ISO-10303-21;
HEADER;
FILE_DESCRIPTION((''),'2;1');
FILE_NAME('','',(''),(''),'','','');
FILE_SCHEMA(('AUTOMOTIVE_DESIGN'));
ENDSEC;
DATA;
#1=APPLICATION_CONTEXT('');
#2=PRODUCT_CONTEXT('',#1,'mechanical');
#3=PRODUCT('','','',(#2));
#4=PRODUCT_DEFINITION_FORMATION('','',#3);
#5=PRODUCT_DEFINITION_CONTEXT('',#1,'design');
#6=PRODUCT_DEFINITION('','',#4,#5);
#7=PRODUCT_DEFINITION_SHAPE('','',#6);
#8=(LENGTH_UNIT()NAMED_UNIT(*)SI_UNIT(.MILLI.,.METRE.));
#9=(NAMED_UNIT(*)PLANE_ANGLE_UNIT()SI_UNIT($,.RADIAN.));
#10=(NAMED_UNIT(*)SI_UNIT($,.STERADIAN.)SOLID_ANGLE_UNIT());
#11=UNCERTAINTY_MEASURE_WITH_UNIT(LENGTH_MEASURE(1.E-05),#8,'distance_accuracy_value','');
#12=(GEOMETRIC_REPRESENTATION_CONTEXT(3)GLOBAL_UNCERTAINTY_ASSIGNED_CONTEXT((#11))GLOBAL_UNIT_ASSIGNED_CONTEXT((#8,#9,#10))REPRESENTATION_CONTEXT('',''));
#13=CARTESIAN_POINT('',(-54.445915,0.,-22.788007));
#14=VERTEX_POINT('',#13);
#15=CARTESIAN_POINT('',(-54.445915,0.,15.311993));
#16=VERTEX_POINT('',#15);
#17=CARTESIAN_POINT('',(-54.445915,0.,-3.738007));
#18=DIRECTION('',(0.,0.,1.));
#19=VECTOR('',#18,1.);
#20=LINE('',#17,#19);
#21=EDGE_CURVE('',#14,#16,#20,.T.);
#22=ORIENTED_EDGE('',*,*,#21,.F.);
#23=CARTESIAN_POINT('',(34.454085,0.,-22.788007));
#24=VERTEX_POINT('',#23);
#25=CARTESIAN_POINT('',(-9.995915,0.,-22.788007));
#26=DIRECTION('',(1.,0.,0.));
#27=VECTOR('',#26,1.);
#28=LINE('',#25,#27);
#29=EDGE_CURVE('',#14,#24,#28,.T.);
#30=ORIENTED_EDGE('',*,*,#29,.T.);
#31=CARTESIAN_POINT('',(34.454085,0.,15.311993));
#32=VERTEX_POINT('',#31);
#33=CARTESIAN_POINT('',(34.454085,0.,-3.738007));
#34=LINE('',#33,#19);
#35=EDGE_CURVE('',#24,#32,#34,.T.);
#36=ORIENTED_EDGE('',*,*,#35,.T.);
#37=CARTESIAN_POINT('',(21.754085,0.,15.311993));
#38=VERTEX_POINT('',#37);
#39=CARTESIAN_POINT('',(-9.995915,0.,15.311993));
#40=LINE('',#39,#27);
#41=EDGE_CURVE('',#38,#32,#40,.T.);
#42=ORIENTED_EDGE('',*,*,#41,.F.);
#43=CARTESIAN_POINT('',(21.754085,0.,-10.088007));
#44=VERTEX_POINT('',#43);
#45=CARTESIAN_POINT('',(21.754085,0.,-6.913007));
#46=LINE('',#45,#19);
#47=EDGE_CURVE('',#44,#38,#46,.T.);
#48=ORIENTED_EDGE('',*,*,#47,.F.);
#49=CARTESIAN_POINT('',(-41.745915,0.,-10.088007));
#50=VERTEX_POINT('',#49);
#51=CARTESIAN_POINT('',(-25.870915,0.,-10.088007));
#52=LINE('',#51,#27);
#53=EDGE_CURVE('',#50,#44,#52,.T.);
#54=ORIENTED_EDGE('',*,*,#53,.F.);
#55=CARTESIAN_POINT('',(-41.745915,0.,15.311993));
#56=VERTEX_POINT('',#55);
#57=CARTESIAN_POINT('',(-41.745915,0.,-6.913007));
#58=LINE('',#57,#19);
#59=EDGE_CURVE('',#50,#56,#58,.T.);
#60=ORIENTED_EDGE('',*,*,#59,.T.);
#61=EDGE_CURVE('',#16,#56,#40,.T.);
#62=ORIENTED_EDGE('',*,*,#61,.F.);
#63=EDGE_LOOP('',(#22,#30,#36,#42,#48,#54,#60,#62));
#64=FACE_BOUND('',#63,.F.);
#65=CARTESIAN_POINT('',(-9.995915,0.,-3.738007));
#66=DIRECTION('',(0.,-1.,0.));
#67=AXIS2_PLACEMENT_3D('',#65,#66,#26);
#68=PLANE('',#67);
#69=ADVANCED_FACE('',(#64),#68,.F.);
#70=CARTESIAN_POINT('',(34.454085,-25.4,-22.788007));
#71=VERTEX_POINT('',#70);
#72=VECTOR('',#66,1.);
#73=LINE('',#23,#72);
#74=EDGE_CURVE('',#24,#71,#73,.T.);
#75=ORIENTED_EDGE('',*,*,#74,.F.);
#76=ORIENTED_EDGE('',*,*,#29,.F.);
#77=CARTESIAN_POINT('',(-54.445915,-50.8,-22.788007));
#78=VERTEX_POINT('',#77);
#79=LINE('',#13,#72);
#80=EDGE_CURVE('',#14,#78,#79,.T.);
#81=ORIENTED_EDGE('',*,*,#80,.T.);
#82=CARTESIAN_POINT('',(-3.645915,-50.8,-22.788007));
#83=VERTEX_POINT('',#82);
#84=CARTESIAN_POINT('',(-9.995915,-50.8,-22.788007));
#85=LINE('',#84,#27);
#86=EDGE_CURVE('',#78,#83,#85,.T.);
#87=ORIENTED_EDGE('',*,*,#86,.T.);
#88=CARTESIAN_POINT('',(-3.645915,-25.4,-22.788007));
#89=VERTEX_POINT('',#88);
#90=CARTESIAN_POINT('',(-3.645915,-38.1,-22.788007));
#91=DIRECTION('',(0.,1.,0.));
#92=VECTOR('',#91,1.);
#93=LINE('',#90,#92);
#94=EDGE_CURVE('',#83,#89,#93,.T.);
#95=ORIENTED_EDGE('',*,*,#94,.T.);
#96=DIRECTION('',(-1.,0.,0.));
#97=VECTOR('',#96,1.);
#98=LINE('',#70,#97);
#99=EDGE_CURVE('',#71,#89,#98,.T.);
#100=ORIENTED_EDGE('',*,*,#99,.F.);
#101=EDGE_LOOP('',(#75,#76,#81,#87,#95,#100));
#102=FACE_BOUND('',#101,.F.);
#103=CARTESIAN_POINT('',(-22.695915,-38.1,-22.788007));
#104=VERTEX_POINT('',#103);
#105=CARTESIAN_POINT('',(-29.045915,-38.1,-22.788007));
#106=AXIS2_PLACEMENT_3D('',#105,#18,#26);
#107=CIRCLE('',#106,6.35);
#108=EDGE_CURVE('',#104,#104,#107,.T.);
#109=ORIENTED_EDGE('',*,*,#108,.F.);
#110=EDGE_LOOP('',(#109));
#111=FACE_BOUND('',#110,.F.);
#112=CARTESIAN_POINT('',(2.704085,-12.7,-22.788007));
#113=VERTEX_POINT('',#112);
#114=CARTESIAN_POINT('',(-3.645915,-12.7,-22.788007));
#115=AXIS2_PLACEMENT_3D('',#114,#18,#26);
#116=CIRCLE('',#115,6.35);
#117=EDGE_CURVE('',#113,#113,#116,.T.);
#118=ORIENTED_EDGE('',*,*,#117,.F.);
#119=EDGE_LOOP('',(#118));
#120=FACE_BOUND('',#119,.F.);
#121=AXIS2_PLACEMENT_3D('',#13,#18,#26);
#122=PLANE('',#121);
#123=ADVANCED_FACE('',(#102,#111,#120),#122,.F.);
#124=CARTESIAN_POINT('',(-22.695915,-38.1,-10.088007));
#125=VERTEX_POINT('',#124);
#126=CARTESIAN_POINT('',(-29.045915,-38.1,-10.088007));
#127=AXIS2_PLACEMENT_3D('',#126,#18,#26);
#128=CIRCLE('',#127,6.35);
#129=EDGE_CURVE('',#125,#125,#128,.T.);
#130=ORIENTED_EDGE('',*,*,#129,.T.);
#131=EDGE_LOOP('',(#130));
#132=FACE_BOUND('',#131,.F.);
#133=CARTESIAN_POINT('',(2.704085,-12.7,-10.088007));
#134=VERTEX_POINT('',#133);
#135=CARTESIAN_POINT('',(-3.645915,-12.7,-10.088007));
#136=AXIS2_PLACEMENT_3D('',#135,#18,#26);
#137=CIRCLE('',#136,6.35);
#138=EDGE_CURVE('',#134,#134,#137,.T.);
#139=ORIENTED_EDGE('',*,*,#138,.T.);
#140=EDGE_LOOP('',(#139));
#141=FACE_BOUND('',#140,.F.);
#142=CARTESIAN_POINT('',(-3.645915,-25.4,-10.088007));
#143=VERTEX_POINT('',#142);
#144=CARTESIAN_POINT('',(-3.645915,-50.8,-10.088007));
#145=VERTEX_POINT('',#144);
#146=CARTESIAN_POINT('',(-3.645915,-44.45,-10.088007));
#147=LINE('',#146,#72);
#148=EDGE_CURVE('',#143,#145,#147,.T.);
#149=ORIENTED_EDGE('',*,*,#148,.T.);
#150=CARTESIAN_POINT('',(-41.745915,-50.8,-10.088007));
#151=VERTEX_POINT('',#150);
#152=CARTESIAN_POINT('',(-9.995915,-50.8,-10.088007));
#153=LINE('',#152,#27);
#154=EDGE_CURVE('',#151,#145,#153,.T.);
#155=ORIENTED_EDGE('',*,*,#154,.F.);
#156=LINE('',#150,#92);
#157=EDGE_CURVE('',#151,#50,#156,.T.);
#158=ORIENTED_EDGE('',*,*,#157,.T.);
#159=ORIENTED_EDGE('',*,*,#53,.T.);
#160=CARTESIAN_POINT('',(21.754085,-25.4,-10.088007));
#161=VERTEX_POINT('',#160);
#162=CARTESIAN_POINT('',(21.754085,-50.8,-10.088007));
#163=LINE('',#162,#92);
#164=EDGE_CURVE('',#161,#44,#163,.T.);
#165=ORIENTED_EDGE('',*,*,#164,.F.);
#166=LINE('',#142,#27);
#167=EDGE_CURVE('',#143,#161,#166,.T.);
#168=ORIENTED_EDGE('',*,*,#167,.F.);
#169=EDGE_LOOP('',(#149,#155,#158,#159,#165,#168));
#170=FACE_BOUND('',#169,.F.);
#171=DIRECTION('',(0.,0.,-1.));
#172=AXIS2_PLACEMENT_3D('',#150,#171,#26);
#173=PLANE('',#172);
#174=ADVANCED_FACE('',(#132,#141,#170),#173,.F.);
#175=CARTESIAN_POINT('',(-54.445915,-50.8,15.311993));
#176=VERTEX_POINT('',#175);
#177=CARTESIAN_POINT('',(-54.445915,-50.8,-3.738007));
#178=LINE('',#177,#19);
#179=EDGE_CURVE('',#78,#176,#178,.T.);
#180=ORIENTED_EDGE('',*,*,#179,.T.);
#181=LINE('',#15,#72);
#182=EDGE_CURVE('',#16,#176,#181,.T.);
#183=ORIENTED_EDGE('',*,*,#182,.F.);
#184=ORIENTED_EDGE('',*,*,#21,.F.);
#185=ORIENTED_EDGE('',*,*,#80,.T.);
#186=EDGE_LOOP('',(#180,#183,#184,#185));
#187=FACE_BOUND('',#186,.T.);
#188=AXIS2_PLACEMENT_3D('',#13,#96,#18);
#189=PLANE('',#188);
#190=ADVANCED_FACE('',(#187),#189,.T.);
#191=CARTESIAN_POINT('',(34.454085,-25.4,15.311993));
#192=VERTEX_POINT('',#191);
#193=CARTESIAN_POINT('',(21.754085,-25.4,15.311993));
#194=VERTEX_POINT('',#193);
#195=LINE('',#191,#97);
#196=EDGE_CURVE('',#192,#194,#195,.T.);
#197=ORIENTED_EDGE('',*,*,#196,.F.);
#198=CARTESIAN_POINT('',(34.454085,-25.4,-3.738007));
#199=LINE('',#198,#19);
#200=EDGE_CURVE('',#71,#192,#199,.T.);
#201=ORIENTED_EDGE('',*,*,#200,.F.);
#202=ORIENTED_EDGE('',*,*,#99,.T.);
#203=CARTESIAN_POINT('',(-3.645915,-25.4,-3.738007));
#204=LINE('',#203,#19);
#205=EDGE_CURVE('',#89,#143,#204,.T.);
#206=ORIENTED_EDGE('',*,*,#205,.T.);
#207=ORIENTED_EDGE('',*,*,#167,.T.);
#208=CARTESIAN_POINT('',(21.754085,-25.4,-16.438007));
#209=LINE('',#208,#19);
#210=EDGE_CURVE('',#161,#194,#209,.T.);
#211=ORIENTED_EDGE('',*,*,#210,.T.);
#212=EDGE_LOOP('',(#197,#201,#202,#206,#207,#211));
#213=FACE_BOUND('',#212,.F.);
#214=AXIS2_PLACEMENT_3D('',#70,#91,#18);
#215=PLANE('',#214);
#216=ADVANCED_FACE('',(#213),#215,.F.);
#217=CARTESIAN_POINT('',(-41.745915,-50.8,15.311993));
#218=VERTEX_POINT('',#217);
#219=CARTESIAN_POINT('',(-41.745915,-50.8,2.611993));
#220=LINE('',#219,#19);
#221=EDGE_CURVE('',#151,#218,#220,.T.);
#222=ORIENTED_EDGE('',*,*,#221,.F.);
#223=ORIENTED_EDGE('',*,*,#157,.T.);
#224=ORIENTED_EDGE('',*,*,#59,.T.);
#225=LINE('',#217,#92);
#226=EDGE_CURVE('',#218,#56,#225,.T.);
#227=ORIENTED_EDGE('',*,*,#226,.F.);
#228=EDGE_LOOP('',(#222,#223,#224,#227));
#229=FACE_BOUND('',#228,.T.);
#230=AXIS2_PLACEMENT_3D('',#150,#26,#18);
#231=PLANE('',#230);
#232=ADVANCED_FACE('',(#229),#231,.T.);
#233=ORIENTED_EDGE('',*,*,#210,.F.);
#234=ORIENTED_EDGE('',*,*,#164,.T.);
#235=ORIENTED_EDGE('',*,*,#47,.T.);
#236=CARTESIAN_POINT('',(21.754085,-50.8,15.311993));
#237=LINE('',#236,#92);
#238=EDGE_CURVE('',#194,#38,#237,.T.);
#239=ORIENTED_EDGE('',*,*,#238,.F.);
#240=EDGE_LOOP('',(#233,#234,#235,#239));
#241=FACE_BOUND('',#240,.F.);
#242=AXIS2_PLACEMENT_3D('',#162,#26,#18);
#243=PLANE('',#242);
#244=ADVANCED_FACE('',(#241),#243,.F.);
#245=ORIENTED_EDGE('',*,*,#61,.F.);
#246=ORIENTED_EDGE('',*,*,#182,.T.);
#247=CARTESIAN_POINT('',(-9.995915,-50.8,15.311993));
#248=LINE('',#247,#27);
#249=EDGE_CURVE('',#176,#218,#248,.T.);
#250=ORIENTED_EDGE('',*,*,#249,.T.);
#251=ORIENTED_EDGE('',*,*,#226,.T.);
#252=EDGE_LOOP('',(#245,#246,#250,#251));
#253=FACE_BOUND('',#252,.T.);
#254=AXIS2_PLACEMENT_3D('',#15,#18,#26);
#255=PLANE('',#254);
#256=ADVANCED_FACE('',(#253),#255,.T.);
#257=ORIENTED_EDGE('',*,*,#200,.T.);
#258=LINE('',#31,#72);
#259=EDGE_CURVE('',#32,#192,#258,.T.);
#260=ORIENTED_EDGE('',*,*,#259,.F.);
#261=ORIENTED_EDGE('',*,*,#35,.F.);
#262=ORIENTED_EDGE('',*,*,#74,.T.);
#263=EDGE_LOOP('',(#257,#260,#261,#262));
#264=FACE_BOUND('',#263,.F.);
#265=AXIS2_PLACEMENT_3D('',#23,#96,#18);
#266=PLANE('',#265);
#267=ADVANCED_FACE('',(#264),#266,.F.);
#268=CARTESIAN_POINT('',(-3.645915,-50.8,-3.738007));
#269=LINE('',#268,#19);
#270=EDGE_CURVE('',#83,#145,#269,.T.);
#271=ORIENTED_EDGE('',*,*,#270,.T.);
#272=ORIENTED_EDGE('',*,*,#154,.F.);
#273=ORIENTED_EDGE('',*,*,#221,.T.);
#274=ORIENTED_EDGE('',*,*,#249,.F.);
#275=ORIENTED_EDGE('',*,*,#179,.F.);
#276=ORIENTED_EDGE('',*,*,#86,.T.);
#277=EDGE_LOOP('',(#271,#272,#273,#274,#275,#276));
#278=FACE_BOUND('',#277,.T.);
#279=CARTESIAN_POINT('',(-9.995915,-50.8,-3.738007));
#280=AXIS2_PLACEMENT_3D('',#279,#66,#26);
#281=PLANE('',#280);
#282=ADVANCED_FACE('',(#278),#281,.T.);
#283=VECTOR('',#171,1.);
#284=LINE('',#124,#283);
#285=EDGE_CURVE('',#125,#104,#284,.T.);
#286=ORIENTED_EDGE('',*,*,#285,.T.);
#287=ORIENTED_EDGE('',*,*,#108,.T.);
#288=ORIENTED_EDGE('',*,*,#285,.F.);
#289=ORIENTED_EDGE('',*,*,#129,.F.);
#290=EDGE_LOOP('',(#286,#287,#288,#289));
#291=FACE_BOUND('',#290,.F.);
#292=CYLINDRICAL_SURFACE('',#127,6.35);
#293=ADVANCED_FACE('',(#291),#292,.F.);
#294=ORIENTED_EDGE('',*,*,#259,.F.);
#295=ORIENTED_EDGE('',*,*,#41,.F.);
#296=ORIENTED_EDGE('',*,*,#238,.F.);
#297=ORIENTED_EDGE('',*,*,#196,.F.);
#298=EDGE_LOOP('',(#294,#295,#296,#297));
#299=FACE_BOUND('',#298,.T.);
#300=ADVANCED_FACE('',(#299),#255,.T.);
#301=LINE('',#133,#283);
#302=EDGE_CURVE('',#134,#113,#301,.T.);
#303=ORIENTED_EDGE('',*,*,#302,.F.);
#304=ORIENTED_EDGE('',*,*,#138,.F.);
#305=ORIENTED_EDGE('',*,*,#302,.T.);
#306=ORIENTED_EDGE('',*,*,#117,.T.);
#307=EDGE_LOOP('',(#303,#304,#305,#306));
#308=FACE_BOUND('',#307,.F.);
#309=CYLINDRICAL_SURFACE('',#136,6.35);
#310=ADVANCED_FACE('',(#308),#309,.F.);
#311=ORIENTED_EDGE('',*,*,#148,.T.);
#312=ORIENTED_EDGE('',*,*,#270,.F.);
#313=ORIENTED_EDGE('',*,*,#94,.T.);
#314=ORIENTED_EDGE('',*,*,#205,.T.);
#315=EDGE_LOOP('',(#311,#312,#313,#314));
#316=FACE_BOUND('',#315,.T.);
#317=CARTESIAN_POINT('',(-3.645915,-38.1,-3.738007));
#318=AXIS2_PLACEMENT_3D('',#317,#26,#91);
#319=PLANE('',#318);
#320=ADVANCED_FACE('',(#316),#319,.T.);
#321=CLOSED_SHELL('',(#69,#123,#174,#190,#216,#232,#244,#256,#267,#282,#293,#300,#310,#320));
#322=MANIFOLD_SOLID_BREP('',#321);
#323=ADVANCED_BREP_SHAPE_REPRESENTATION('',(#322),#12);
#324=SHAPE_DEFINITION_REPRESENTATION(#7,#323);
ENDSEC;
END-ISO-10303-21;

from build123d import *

# Parameters (mm, degrees)
F0_W     = 88.9
F0_H     = 38.1
F1_DEPTH = 50.8
F2_W     = 63.5
F2_H     = 25.4
F3_DEPTH = 50.801
F4_W     = 25.4
F4_H     = 38.1
F5_DEPTH = 38.1
F6_R     = 6.35
F7_DEPTH = 12.701


with BuildPart() as f1:
    # F0 (on Front) → F1 (new body)
    with BuildSketch(Plane.XZ):
        with Locations((-9.995915, -3.738007)):
            Rectangle(F0_W, F0_H)
    extrude(amount=F1_DEPTH)

    # F2 (on face) → F3 (cut, through all)
    with BuildSketch(Plane.XZ.offset(50.8)):
        with Locations((-9.995915, 2.611993)):
            Rectangle(F2_W, F2_H)
    extrude(amount=-F3_DEPTH, mode=Mode.SUBTRACT)

    # F4 (on face) → F5 (cut)
    with BuildSketch(Plane.YZ.offset(34.454085)):
        with Locations((-38.1, -3.738007)):
            Rectangle(F4_W, F4_H)
    extrude(amount=-F5_DEPTH, mode=Mode.SUBTRACT)

    # F6 (on face) → F7 (cut, through all)
    with BuildSketch(Plane.XY.offset(-10.088007)):
        with Locations((-29.045915, -38.1)):
            Circle(F6_R)
        with Locations((-3.645915, -12.7)):
            Circle(F6_R)
    extrude(amount=-F7_DEPTH, mode=Mode.SUBTRACT)


solid = f1.part
